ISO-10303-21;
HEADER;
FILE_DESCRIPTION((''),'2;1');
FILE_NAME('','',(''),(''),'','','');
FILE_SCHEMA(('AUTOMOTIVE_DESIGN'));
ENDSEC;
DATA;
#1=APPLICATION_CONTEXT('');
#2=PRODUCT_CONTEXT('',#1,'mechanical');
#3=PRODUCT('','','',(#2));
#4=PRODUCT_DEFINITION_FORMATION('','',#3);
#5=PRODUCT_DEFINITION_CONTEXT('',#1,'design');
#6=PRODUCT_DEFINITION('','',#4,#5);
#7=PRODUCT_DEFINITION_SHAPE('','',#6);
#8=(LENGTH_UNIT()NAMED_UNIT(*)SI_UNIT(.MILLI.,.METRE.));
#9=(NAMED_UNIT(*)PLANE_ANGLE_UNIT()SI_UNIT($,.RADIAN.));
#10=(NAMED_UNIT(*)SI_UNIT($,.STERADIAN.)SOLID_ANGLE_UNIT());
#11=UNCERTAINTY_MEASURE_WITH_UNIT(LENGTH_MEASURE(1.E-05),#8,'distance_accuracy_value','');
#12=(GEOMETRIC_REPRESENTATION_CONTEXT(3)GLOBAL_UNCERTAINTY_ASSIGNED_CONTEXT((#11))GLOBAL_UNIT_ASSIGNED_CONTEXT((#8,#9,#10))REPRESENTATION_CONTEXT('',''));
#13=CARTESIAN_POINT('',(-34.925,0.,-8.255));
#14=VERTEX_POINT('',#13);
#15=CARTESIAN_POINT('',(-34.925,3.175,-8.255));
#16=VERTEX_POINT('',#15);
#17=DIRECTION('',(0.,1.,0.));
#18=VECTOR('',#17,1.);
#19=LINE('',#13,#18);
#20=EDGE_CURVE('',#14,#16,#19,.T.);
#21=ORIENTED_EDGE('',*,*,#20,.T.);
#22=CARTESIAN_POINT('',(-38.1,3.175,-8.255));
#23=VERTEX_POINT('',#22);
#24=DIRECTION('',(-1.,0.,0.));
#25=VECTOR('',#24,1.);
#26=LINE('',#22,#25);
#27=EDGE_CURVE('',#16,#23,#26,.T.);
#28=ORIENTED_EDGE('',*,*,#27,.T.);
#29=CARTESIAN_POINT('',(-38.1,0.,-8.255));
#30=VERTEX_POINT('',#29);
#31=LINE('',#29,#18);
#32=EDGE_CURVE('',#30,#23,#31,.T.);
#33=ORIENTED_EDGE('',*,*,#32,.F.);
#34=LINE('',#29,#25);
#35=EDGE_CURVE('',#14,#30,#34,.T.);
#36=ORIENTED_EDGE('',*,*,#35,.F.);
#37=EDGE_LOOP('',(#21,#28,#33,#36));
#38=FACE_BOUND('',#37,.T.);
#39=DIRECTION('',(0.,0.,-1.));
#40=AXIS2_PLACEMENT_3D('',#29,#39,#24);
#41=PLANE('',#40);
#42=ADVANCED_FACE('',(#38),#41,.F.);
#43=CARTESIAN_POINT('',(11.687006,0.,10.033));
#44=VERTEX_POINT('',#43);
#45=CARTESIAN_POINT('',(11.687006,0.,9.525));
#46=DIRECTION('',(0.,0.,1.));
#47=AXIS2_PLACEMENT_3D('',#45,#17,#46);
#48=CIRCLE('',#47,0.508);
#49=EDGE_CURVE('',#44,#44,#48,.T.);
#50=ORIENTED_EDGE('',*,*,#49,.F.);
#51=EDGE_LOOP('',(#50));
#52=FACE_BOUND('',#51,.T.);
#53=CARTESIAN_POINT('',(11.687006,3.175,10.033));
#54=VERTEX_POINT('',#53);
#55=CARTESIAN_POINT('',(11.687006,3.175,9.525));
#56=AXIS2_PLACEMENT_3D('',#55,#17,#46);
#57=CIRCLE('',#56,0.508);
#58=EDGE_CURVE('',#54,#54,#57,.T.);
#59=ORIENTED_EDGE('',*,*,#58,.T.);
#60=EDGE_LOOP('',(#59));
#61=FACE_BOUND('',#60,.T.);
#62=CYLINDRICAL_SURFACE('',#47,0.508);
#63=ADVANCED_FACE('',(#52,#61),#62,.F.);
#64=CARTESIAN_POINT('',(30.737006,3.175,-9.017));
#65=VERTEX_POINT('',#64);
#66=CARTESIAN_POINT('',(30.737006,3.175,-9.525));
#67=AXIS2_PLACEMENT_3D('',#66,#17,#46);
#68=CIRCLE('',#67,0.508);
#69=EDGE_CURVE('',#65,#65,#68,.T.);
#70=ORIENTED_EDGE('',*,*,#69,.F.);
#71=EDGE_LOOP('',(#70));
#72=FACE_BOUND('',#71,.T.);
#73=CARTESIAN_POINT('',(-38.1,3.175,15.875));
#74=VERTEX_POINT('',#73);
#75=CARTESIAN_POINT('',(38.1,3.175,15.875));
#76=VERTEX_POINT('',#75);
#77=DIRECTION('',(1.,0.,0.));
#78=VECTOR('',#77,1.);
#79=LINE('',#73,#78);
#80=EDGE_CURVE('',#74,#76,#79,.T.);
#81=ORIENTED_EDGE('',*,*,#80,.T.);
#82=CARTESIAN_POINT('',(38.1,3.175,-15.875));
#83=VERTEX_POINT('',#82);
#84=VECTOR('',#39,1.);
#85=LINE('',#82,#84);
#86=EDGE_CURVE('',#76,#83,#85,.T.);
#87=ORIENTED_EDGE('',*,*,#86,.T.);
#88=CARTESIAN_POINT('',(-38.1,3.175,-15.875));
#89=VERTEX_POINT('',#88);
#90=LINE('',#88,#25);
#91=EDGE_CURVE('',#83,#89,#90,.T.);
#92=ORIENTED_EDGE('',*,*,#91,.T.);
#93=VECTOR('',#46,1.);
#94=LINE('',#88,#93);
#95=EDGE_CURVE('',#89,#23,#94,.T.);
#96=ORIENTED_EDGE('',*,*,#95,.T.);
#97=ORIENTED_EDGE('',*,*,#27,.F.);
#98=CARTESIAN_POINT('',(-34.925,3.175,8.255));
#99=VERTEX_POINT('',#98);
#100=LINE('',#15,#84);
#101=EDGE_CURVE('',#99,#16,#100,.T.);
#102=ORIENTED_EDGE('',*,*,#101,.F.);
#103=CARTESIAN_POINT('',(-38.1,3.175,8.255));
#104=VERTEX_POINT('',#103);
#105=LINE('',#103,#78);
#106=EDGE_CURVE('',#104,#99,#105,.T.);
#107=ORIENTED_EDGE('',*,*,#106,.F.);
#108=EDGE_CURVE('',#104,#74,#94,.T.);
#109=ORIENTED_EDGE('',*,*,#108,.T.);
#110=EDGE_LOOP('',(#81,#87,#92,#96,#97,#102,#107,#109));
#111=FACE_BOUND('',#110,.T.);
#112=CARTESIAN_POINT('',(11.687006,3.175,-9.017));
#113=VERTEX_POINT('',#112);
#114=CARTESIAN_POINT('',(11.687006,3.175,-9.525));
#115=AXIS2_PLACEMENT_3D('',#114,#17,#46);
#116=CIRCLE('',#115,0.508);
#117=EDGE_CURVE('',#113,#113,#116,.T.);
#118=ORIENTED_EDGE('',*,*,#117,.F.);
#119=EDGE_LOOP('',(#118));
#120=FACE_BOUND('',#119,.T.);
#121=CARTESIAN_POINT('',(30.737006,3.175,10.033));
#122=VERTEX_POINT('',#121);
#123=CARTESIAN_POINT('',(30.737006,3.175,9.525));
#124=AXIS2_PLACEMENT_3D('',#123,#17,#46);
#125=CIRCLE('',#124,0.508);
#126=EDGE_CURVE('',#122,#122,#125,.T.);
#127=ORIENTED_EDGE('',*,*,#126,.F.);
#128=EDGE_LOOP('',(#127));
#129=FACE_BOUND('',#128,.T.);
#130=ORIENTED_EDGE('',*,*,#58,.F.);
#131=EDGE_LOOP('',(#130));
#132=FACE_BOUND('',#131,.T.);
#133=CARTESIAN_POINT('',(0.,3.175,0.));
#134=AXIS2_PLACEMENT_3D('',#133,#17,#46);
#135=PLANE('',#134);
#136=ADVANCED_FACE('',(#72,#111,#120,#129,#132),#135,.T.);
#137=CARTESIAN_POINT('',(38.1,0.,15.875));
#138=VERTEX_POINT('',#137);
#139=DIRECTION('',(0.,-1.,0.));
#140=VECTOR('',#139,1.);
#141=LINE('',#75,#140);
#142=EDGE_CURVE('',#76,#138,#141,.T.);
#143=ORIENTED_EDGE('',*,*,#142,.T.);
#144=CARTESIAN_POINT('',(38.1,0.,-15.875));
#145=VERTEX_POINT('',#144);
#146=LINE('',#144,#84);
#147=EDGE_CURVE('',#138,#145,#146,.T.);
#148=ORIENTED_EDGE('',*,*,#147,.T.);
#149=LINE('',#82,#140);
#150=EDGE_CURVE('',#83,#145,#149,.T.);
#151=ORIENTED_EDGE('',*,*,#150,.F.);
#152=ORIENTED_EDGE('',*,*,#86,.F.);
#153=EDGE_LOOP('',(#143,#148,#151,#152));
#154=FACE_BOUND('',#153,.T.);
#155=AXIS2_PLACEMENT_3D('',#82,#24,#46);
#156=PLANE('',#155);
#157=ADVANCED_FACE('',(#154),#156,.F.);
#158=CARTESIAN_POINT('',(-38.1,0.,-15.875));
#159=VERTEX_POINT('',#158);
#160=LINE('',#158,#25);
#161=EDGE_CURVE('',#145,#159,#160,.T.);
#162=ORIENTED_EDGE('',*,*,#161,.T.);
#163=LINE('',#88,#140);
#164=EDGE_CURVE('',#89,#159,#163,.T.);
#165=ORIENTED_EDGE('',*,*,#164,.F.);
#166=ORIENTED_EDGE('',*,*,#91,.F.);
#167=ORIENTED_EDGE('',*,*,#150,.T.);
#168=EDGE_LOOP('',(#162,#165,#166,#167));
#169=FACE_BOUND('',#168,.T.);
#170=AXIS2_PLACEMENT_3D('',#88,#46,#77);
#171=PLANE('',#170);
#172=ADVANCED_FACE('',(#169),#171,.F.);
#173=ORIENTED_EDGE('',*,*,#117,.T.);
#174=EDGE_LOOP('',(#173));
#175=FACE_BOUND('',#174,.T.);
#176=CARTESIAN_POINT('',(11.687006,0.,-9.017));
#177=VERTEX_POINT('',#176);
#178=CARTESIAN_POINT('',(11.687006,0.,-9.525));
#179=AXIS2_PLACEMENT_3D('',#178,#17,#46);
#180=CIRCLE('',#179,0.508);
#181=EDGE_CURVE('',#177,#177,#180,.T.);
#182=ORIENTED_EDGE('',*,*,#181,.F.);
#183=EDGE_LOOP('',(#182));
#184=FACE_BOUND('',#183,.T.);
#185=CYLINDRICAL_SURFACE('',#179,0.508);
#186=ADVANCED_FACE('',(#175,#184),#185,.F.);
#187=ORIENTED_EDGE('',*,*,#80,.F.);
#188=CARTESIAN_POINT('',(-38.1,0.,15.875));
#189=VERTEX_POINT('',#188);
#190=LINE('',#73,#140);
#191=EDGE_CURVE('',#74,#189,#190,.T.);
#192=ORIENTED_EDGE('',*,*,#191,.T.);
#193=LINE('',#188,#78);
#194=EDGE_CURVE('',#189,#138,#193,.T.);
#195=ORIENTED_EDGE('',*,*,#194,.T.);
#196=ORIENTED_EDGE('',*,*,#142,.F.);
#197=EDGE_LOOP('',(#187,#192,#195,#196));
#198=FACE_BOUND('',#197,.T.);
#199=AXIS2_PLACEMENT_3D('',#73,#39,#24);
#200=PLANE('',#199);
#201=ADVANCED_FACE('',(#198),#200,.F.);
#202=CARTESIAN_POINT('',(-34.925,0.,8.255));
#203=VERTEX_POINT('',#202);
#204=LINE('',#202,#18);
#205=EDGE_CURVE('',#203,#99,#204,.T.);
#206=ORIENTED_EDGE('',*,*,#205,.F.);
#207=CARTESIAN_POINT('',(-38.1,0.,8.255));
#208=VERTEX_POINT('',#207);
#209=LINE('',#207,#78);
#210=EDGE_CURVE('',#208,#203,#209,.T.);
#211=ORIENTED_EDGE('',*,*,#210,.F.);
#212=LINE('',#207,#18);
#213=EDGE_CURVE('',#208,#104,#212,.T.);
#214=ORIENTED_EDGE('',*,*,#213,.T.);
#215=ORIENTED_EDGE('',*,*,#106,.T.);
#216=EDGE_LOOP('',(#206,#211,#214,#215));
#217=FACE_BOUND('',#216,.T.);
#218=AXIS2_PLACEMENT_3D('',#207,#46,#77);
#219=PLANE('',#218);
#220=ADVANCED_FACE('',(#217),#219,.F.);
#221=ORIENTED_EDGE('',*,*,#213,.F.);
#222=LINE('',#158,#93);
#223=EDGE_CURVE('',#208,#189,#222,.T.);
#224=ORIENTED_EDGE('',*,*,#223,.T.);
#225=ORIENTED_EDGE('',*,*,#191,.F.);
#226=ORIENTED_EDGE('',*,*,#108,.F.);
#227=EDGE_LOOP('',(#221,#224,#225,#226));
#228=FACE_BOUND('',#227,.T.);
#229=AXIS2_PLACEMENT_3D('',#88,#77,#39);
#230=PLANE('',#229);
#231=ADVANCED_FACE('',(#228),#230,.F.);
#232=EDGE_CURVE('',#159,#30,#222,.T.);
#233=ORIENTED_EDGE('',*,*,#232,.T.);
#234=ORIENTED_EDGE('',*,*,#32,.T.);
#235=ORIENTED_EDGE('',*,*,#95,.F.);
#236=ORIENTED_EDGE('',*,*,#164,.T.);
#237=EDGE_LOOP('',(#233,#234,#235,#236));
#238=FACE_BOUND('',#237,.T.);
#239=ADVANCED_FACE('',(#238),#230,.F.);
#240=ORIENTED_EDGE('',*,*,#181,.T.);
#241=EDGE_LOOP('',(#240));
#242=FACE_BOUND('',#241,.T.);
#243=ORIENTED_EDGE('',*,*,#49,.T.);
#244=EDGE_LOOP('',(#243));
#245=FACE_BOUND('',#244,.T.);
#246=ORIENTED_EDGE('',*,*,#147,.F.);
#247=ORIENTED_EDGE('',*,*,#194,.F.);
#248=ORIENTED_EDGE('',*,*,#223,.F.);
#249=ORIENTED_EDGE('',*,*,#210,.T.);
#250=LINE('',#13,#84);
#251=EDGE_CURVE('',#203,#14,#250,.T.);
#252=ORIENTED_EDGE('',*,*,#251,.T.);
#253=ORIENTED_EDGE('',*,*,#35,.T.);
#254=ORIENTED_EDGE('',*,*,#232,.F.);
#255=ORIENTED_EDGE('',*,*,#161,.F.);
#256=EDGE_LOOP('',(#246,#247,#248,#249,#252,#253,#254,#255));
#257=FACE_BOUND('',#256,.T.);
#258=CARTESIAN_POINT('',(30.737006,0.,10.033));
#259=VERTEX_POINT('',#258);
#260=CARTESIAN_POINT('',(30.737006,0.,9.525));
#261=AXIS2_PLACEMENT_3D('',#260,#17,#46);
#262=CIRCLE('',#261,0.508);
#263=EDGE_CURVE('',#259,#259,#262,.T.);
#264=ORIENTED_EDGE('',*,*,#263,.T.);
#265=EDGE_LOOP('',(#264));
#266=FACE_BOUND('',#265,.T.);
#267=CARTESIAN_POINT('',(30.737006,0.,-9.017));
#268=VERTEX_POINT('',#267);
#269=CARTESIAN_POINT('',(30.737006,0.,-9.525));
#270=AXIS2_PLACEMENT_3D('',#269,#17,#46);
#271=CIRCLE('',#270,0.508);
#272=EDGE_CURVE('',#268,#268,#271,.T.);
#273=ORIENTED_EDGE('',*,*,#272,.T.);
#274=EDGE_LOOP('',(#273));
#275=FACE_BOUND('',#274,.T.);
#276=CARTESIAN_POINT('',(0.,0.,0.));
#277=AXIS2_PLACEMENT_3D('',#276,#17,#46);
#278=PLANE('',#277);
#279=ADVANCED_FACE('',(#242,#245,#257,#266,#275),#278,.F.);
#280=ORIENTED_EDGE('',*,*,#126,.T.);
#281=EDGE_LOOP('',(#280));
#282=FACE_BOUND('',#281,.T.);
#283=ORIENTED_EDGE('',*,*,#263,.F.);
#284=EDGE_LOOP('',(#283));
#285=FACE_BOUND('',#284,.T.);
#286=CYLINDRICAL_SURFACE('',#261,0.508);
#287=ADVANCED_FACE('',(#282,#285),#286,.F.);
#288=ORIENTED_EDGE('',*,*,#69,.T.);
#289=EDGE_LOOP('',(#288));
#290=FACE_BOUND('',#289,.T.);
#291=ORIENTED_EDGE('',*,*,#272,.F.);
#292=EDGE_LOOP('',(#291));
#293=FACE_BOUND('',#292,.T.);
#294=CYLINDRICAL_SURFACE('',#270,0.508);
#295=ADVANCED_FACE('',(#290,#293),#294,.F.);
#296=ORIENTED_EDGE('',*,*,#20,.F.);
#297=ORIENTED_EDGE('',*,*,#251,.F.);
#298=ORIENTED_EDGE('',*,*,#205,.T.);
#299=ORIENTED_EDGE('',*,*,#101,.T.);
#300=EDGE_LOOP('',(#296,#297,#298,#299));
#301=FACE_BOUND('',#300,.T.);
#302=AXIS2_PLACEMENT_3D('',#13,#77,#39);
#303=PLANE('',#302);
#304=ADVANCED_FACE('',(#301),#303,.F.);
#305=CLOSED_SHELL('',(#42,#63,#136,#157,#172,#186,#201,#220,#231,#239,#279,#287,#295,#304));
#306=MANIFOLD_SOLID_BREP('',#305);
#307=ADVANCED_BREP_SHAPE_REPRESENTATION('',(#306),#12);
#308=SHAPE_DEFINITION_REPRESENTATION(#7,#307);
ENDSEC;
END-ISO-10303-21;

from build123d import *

# Parameters (mm, degrees)
SKETCH1_W           = 76.2
SKETCH1_H           = 31.75
BOSS_EXTRUDE1_DEPTH = 3.175
SKETCH2_R           = 0.508
SKETCH2_W           = 3.175
SKETCH2_H           = 16.51
CUT_EXTRUDE1_DEPTH  = 3.175


with BuildPart() as part:
    # Sketch1 → Boss-Extrude1 (new body)
    with BuildSketch(Plane(origin=(0, 0, 0), x_dir=(1, 0, 0), z_dir=(0, 1, 0))):
        Rectangle(SKETCH1_W, SKETCH1_H)
    extrude(amount=BOSS_EXTRUDE1_DEPTH)

    # Sketch2 → Cut-Extrude1 (cut)
    with BuildSketch(Plane(origin=(0, 3.175, 0), x_dir=(1, 0, 0), z_dir=(0, 1, 0))):
        with Locations(Location((30.737005641, 9.525, 0), (0, 0, 270))):
            Circle(SKETCH2_R)
        with Locations(Location((30.737005641, -9.525, 0), (0, 0, 270))):
            Circle(SKETCH2_R)
        with Locations(Location((11.687005641, 9.525, 0), (0, 0, 270))):
            Circle(SKETCH2_R)
        with Locations(Location((11.687005641, -9.525, 0), (0, 0, 270))):
            Circle(SKETCH2_R)
        with Locations((-36.5125, 0)):
            Rectangle(SKETCH2_W, SKETCH2_H)
    extrude(amount=-CUT_EXTRUDE1_DEPTH, mode=Mode.SUBTRACT)


solid = part.part
